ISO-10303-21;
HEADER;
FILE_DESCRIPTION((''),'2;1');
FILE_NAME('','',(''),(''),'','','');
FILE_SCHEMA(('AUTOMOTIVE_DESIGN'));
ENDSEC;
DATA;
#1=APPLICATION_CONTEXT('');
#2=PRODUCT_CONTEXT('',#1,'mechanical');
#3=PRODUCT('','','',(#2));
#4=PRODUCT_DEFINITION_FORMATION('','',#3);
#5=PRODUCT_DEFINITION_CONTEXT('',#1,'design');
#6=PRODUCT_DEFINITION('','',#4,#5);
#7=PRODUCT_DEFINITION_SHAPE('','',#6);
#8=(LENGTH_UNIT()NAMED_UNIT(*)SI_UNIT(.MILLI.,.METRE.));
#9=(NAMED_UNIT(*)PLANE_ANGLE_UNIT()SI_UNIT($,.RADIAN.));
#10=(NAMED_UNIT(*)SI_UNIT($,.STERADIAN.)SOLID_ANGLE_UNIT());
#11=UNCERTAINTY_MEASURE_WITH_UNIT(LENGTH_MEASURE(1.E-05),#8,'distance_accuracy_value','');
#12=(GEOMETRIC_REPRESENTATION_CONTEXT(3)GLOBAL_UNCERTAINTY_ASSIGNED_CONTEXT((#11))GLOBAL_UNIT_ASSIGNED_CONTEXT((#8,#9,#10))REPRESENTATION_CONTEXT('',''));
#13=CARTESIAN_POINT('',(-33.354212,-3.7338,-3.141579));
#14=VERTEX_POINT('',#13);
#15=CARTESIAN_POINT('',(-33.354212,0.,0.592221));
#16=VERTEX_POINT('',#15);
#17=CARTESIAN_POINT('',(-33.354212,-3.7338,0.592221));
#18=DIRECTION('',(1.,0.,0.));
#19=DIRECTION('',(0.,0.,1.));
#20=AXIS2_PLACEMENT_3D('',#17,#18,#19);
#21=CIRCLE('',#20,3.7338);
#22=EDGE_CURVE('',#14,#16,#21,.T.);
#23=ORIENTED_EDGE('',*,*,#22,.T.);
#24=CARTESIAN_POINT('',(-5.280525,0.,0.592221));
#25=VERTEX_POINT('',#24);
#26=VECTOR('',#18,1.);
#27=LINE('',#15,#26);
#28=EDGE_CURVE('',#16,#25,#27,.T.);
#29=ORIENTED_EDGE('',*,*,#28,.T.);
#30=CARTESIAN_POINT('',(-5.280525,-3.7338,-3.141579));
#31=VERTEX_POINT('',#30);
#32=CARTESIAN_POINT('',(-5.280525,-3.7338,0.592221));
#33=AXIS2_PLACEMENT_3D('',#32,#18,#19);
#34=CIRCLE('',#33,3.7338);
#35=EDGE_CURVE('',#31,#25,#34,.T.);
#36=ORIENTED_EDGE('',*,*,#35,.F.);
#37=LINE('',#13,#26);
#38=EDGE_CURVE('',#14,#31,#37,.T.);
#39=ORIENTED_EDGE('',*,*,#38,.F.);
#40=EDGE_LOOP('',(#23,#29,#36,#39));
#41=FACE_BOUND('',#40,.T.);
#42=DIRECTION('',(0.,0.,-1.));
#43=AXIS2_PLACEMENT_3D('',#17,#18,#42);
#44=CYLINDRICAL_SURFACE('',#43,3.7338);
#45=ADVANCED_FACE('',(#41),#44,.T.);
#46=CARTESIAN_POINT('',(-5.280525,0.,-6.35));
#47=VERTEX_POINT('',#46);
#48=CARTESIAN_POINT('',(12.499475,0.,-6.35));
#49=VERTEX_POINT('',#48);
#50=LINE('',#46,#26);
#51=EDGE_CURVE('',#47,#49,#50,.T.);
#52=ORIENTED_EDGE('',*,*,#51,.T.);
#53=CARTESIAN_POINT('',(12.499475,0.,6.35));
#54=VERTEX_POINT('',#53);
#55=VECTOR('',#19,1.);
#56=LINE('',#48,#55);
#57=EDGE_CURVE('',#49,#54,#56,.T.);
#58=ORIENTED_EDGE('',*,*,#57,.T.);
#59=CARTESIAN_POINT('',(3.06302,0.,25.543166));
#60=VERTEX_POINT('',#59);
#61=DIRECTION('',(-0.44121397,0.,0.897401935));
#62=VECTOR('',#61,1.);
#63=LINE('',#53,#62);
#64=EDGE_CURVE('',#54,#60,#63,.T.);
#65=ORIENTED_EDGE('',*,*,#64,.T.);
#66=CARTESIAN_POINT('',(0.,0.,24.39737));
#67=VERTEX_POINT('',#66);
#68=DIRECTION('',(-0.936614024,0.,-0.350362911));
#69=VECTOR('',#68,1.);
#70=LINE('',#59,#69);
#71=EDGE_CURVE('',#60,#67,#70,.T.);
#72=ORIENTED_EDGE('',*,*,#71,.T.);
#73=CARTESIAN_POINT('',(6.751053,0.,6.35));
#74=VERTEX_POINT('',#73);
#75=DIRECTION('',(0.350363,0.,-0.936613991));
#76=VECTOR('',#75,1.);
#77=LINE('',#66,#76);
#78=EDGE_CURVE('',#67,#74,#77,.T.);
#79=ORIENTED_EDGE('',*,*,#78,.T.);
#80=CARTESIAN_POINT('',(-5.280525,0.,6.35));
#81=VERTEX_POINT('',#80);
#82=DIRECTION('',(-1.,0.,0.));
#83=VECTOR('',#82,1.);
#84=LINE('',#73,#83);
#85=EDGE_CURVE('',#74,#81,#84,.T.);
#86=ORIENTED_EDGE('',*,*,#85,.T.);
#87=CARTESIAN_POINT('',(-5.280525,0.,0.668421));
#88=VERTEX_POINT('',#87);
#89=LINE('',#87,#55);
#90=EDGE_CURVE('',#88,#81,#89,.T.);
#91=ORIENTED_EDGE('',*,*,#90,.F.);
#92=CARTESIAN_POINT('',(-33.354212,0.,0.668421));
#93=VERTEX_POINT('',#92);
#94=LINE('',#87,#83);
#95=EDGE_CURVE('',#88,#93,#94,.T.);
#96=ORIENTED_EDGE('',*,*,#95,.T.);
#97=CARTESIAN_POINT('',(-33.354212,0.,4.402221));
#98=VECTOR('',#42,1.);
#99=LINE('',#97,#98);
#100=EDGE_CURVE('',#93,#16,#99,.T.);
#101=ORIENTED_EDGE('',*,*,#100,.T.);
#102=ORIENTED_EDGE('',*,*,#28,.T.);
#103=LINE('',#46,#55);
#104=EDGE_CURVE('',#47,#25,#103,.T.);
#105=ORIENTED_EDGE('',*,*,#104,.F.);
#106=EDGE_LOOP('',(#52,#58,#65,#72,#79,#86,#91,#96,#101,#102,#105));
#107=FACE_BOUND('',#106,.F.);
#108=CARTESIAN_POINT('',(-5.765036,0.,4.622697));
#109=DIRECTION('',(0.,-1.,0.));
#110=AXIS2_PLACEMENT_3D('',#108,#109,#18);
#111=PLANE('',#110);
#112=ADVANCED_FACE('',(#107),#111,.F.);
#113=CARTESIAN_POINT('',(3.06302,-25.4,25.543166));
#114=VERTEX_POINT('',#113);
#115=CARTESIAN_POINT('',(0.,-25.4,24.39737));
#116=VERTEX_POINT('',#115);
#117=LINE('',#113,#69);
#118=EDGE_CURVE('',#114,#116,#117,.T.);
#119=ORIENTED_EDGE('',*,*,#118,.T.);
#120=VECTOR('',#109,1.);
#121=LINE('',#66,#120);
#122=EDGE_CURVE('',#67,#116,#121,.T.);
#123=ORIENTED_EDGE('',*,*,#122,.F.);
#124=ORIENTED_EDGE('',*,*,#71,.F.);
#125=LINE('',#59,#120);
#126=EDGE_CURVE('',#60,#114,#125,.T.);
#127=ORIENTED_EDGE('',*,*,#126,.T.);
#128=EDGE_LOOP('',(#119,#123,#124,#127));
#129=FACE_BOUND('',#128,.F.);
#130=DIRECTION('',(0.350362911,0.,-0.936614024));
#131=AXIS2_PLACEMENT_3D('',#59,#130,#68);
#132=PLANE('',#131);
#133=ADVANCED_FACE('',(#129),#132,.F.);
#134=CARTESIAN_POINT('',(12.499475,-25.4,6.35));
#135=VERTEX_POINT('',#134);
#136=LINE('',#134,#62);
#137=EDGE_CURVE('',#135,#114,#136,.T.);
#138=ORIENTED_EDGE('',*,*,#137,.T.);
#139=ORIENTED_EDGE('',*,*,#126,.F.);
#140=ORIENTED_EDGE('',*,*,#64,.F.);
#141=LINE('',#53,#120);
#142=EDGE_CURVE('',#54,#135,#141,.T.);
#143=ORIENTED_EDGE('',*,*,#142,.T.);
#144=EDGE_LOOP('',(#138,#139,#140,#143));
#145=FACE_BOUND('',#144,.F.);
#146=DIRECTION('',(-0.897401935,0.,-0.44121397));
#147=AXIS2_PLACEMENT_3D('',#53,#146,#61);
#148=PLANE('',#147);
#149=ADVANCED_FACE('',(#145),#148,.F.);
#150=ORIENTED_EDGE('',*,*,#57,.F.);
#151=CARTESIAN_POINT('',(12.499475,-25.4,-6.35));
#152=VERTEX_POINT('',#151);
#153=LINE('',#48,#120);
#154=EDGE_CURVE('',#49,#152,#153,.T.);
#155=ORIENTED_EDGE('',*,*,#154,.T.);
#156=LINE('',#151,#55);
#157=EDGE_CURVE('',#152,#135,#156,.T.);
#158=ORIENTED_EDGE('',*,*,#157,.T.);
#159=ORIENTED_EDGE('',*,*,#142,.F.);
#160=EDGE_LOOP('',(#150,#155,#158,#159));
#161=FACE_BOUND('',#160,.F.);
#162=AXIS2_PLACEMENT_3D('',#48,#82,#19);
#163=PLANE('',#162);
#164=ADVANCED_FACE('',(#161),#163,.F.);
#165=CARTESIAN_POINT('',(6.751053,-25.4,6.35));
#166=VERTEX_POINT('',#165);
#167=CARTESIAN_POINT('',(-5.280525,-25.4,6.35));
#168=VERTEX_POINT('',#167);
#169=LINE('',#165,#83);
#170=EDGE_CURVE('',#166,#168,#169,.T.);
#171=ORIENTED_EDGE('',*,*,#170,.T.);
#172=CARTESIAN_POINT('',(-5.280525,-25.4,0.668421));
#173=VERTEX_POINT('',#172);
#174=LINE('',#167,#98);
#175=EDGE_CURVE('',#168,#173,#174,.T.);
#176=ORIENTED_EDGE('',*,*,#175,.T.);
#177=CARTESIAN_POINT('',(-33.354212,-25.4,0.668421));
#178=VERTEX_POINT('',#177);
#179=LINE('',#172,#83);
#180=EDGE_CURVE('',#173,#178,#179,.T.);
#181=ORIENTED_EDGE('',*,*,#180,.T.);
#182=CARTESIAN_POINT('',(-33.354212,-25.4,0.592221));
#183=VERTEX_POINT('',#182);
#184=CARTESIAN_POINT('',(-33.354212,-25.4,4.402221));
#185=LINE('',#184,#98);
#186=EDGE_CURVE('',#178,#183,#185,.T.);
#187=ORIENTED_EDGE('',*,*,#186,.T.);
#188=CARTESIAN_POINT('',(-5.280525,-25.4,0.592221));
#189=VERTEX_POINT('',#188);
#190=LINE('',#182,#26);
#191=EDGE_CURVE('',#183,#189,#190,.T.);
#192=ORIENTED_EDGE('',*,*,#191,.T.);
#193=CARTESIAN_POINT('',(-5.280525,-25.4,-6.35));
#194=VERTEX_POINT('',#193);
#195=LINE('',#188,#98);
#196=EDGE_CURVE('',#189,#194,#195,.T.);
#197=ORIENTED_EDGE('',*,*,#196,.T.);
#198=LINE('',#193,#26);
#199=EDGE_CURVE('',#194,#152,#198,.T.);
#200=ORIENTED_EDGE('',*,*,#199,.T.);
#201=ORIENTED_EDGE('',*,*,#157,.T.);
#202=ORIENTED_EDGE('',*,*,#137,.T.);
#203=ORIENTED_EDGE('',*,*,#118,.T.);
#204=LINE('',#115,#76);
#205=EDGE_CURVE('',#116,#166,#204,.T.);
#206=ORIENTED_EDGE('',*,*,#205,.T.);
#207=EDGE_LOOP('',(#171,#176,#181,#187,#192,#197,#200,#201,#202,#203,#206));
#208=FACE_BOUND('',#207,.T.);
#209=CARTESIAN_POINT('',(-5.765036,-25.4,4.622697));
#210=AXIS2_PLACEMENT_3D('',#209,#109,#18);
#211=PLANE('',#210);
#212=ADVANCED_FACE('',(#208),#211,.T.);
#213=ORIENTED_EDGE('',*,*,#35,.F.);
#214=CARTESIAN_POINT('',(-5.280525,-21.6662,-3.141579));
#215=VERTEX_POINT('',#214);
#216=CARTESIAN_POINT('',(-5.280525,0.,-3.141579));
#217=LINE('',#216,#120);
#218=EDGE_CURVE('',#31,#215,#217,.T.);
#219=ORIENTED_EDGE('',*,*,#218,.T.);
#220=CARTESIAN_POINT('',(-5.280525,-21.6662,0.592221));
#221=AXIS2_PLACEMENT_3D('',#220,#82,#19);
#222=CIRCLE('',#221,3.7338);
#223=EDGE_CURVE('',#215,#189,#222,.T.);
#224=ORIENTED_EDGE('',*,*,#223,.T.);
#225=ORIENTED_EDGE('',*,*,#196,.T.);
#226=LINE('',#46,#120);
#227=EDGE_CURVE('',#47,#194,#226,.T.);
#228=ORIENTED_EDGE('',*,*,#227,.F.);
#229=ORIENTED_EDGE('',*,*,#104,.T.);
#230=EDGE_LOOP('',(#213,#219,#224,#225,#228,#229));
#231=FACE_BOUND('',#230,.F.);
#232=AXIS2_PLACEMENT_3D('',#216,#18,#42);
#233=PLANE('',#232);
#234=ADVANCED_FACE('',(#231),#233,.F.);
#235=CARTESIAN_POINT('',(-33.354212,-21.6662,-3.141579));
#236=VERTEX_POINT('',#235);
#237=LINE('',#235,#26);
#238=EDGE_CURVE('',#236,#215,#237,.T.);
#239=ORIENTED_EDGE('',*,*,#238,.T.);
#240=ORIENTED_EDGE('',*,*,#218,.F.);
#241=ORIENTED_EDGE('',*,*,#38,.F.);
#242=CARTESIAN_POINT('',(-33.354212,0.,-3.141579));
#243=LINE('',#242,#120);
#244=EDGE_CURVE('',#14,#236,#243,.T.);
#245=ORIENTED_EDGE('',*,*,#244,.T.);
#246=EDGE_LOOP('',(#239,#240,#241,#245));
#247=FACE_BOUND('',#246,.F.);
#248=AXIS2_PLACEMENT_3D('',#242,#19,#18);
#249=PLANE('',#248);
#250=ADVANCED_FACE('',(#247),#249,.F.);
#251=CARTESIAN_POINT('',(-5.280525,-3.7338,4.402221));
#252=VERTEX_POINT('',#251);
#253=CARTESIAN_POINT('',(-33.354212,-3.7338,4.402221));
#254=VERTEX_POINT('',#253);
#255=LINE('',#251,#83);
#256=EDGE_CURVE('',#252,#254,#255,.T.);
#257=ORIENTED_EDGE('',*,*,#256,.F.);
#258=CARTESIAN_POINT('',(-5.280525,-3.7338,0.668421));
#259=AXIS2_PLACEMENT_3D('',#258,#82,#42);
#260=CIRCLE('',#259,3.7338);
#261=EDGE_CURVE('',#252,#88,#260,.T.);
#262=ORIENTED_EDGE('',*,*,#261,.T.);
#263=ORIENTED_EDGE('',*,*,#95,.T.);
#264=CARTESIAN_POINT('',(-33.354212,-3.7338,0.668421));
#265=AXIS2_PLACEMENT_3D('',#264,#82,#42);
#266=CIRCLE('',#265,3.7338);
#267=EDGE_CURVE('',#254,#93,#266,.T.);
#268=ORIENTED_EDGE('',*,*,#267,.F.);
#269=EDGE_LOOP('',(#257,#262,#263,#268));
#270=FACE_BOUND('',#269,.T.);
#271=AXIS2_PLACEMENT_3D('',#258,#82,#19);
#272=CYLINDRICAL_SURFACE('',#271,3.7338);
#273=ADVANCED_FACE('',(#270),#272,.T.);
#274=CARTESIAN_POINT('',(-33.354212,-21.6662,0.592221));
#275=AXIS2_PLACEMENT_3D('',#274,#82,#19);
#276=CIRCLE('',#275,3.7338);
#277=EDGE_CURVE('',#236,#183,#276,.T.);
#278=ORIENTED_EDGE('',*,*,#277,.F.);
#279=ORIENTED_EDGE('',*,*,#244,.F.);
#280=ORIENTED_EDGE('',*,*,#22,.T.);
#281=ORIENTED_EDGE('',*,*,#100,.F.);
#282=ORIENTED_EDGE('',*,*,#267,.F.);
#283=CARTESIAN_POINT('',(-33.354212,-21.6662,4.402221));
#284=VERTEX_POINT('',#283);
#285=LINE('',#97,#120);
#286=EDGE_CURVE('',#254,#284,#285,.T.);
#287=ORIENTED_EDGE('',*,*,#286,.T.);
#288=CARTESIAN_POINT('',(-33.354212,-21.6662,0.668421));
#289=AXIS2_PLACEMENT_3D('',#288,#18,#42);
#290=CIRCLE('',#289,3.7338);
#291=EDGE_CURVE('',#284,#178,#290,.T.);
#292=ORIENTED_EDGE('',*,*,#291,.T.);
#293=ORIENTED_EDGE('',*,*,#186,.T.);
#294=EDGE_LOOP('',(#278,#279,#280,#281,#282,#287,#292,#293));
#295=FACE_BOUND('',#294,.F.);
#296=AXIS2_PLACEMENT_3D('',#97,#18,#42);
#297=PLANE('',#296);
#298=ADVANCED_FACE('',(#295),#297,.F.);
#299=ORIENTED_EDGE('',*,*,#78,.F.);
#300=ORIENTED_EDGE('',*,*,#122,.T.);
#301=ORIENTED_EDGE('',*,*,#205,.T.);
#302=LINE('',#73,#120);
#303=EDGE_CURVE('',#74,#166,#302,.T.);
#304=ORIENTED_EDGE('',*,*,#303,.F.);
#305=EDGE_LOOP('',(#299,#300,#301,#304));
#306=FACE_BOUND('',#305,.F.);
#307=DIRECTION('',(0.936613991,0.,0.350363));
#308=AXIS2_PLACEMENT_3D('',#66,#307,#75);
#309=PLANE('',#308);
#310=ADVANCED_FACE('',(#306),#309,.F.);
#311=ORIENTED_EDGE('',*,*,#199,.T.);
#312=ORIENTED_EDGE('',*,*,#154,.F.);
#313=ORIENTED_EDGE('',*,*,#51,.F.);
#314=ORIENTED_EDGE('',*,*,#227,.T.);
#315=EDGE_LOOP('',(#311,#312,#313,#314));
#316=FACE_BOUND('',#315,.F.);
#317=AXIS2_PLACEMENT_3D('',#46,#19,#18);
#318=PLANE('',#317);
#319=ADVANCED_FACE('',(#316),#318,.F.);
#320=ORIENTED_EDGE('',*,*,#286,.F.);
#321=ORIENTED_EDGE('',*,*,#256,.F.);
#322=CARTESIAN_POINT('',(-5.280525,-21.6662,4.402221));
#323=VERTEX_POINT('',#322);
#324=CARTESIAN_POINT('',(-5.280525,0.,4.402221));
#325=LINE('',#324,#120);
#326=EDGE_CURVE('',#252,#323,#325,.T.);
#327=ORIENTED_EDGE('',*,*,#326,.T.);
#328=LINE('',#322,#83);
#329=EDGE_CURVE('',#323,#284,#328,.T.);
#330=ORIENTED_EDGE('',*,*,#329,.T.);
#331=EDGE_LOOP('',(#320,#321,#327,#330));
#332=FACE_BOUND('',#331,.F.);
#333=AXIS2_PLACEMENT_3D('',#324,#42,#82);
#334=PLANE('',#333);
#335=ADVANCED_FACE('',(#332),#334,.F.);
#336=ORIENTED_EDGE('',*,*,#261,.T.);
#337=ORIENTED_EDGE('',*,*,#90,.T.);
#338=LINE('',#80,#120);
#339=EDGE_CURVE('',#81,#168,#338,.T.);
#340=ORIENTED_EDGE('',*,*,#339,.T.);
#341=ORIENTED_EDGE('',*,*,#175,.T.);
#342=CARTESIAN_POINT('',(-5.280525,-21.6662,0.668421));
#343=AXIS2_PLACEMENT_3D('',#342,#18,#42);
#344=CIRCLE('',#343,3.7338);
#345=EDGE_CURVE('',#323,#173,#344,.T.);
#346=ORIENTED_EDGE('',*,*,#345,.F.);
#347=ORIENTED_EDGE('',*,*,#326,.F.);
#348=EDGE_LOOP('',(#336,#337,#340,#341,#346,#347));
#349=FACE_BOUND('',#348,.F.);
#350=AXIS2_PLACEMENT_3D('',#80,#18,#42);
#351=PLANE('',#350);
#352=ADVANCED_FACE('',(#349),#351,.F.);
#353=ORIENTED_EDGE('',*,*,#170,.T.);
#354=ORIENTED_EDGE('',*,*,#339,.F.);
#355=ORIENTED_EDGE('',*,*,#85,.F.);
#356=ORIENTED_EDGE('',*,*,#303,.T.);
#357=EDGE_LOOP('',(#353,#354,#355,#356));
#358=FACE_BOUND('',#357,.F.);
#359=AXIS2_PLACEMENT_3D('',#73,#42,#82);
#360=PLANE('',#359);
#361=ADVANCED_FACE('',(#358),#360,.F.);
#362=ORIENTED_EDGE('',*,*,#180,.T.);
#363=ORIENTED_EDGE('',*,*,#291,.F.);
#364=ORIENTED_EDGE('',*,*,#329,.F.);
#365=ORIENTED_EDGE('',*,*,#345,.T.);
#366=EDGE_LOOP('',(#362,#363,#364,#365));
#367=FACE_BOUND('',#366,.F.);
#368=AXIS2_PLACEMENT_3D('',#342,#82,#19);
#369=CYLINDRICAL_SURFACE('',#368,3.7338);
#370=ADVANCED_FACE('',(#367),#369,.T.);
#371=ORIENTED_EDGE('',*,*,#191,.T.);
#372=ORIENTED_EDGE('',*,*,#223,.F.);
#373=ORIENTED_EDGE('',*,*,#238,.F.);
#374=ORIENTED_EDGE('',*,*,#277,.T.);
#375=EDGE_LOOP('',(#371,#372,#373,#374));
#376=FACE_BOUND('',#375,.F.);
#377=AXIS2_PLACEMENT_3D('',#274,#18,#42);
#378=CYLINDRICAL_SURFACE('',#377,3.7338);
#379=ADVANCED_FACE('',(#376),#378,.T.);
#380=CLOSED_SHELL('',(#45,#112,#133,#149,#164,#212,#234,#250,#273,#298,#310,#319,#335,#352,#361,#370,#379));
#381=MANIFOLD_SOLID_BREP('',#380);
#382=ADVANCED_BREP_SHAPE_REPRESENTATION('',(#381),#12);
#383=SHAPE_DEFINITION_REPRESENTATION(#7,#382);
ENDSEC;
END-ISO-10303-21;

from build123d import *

# Parameters (mm, degrees)
F1_DEPTH = 25.4
F2_R     = 3.7338


with BuildPart() as f1:
    # F0 (on Front) → F1 (new body)
    with BuildSketch(Plane.XZ):
        Polygon((-33.354212, 4.402221), (-33.354212, -3.141579), (-5.280525, -3.141579), (-5.280525, -6.35), (12.499475, -6.35), (12.499475, 6.35), (3.06302, 25.543166), (0, 24.39737), (6.751053, 6.35), (-5.280525, 6.35), (-5.280525, 4.402221), align=None)
    extrude(amount=F1_DEPTH)

    # F2
    f2_edges = [f1.edges().sort_by_distance(p)[0] for p in [
        (-19.317368, -25.4, 4.402221),
        (-19.317368, -25.4, -3.141579),
        (-19.317368, 0, 4.402221),
        (-19.317368, 0, -3.141579),
    ]]
    fillet(f2_edges, radius=F2_R)


solid = f1.part
